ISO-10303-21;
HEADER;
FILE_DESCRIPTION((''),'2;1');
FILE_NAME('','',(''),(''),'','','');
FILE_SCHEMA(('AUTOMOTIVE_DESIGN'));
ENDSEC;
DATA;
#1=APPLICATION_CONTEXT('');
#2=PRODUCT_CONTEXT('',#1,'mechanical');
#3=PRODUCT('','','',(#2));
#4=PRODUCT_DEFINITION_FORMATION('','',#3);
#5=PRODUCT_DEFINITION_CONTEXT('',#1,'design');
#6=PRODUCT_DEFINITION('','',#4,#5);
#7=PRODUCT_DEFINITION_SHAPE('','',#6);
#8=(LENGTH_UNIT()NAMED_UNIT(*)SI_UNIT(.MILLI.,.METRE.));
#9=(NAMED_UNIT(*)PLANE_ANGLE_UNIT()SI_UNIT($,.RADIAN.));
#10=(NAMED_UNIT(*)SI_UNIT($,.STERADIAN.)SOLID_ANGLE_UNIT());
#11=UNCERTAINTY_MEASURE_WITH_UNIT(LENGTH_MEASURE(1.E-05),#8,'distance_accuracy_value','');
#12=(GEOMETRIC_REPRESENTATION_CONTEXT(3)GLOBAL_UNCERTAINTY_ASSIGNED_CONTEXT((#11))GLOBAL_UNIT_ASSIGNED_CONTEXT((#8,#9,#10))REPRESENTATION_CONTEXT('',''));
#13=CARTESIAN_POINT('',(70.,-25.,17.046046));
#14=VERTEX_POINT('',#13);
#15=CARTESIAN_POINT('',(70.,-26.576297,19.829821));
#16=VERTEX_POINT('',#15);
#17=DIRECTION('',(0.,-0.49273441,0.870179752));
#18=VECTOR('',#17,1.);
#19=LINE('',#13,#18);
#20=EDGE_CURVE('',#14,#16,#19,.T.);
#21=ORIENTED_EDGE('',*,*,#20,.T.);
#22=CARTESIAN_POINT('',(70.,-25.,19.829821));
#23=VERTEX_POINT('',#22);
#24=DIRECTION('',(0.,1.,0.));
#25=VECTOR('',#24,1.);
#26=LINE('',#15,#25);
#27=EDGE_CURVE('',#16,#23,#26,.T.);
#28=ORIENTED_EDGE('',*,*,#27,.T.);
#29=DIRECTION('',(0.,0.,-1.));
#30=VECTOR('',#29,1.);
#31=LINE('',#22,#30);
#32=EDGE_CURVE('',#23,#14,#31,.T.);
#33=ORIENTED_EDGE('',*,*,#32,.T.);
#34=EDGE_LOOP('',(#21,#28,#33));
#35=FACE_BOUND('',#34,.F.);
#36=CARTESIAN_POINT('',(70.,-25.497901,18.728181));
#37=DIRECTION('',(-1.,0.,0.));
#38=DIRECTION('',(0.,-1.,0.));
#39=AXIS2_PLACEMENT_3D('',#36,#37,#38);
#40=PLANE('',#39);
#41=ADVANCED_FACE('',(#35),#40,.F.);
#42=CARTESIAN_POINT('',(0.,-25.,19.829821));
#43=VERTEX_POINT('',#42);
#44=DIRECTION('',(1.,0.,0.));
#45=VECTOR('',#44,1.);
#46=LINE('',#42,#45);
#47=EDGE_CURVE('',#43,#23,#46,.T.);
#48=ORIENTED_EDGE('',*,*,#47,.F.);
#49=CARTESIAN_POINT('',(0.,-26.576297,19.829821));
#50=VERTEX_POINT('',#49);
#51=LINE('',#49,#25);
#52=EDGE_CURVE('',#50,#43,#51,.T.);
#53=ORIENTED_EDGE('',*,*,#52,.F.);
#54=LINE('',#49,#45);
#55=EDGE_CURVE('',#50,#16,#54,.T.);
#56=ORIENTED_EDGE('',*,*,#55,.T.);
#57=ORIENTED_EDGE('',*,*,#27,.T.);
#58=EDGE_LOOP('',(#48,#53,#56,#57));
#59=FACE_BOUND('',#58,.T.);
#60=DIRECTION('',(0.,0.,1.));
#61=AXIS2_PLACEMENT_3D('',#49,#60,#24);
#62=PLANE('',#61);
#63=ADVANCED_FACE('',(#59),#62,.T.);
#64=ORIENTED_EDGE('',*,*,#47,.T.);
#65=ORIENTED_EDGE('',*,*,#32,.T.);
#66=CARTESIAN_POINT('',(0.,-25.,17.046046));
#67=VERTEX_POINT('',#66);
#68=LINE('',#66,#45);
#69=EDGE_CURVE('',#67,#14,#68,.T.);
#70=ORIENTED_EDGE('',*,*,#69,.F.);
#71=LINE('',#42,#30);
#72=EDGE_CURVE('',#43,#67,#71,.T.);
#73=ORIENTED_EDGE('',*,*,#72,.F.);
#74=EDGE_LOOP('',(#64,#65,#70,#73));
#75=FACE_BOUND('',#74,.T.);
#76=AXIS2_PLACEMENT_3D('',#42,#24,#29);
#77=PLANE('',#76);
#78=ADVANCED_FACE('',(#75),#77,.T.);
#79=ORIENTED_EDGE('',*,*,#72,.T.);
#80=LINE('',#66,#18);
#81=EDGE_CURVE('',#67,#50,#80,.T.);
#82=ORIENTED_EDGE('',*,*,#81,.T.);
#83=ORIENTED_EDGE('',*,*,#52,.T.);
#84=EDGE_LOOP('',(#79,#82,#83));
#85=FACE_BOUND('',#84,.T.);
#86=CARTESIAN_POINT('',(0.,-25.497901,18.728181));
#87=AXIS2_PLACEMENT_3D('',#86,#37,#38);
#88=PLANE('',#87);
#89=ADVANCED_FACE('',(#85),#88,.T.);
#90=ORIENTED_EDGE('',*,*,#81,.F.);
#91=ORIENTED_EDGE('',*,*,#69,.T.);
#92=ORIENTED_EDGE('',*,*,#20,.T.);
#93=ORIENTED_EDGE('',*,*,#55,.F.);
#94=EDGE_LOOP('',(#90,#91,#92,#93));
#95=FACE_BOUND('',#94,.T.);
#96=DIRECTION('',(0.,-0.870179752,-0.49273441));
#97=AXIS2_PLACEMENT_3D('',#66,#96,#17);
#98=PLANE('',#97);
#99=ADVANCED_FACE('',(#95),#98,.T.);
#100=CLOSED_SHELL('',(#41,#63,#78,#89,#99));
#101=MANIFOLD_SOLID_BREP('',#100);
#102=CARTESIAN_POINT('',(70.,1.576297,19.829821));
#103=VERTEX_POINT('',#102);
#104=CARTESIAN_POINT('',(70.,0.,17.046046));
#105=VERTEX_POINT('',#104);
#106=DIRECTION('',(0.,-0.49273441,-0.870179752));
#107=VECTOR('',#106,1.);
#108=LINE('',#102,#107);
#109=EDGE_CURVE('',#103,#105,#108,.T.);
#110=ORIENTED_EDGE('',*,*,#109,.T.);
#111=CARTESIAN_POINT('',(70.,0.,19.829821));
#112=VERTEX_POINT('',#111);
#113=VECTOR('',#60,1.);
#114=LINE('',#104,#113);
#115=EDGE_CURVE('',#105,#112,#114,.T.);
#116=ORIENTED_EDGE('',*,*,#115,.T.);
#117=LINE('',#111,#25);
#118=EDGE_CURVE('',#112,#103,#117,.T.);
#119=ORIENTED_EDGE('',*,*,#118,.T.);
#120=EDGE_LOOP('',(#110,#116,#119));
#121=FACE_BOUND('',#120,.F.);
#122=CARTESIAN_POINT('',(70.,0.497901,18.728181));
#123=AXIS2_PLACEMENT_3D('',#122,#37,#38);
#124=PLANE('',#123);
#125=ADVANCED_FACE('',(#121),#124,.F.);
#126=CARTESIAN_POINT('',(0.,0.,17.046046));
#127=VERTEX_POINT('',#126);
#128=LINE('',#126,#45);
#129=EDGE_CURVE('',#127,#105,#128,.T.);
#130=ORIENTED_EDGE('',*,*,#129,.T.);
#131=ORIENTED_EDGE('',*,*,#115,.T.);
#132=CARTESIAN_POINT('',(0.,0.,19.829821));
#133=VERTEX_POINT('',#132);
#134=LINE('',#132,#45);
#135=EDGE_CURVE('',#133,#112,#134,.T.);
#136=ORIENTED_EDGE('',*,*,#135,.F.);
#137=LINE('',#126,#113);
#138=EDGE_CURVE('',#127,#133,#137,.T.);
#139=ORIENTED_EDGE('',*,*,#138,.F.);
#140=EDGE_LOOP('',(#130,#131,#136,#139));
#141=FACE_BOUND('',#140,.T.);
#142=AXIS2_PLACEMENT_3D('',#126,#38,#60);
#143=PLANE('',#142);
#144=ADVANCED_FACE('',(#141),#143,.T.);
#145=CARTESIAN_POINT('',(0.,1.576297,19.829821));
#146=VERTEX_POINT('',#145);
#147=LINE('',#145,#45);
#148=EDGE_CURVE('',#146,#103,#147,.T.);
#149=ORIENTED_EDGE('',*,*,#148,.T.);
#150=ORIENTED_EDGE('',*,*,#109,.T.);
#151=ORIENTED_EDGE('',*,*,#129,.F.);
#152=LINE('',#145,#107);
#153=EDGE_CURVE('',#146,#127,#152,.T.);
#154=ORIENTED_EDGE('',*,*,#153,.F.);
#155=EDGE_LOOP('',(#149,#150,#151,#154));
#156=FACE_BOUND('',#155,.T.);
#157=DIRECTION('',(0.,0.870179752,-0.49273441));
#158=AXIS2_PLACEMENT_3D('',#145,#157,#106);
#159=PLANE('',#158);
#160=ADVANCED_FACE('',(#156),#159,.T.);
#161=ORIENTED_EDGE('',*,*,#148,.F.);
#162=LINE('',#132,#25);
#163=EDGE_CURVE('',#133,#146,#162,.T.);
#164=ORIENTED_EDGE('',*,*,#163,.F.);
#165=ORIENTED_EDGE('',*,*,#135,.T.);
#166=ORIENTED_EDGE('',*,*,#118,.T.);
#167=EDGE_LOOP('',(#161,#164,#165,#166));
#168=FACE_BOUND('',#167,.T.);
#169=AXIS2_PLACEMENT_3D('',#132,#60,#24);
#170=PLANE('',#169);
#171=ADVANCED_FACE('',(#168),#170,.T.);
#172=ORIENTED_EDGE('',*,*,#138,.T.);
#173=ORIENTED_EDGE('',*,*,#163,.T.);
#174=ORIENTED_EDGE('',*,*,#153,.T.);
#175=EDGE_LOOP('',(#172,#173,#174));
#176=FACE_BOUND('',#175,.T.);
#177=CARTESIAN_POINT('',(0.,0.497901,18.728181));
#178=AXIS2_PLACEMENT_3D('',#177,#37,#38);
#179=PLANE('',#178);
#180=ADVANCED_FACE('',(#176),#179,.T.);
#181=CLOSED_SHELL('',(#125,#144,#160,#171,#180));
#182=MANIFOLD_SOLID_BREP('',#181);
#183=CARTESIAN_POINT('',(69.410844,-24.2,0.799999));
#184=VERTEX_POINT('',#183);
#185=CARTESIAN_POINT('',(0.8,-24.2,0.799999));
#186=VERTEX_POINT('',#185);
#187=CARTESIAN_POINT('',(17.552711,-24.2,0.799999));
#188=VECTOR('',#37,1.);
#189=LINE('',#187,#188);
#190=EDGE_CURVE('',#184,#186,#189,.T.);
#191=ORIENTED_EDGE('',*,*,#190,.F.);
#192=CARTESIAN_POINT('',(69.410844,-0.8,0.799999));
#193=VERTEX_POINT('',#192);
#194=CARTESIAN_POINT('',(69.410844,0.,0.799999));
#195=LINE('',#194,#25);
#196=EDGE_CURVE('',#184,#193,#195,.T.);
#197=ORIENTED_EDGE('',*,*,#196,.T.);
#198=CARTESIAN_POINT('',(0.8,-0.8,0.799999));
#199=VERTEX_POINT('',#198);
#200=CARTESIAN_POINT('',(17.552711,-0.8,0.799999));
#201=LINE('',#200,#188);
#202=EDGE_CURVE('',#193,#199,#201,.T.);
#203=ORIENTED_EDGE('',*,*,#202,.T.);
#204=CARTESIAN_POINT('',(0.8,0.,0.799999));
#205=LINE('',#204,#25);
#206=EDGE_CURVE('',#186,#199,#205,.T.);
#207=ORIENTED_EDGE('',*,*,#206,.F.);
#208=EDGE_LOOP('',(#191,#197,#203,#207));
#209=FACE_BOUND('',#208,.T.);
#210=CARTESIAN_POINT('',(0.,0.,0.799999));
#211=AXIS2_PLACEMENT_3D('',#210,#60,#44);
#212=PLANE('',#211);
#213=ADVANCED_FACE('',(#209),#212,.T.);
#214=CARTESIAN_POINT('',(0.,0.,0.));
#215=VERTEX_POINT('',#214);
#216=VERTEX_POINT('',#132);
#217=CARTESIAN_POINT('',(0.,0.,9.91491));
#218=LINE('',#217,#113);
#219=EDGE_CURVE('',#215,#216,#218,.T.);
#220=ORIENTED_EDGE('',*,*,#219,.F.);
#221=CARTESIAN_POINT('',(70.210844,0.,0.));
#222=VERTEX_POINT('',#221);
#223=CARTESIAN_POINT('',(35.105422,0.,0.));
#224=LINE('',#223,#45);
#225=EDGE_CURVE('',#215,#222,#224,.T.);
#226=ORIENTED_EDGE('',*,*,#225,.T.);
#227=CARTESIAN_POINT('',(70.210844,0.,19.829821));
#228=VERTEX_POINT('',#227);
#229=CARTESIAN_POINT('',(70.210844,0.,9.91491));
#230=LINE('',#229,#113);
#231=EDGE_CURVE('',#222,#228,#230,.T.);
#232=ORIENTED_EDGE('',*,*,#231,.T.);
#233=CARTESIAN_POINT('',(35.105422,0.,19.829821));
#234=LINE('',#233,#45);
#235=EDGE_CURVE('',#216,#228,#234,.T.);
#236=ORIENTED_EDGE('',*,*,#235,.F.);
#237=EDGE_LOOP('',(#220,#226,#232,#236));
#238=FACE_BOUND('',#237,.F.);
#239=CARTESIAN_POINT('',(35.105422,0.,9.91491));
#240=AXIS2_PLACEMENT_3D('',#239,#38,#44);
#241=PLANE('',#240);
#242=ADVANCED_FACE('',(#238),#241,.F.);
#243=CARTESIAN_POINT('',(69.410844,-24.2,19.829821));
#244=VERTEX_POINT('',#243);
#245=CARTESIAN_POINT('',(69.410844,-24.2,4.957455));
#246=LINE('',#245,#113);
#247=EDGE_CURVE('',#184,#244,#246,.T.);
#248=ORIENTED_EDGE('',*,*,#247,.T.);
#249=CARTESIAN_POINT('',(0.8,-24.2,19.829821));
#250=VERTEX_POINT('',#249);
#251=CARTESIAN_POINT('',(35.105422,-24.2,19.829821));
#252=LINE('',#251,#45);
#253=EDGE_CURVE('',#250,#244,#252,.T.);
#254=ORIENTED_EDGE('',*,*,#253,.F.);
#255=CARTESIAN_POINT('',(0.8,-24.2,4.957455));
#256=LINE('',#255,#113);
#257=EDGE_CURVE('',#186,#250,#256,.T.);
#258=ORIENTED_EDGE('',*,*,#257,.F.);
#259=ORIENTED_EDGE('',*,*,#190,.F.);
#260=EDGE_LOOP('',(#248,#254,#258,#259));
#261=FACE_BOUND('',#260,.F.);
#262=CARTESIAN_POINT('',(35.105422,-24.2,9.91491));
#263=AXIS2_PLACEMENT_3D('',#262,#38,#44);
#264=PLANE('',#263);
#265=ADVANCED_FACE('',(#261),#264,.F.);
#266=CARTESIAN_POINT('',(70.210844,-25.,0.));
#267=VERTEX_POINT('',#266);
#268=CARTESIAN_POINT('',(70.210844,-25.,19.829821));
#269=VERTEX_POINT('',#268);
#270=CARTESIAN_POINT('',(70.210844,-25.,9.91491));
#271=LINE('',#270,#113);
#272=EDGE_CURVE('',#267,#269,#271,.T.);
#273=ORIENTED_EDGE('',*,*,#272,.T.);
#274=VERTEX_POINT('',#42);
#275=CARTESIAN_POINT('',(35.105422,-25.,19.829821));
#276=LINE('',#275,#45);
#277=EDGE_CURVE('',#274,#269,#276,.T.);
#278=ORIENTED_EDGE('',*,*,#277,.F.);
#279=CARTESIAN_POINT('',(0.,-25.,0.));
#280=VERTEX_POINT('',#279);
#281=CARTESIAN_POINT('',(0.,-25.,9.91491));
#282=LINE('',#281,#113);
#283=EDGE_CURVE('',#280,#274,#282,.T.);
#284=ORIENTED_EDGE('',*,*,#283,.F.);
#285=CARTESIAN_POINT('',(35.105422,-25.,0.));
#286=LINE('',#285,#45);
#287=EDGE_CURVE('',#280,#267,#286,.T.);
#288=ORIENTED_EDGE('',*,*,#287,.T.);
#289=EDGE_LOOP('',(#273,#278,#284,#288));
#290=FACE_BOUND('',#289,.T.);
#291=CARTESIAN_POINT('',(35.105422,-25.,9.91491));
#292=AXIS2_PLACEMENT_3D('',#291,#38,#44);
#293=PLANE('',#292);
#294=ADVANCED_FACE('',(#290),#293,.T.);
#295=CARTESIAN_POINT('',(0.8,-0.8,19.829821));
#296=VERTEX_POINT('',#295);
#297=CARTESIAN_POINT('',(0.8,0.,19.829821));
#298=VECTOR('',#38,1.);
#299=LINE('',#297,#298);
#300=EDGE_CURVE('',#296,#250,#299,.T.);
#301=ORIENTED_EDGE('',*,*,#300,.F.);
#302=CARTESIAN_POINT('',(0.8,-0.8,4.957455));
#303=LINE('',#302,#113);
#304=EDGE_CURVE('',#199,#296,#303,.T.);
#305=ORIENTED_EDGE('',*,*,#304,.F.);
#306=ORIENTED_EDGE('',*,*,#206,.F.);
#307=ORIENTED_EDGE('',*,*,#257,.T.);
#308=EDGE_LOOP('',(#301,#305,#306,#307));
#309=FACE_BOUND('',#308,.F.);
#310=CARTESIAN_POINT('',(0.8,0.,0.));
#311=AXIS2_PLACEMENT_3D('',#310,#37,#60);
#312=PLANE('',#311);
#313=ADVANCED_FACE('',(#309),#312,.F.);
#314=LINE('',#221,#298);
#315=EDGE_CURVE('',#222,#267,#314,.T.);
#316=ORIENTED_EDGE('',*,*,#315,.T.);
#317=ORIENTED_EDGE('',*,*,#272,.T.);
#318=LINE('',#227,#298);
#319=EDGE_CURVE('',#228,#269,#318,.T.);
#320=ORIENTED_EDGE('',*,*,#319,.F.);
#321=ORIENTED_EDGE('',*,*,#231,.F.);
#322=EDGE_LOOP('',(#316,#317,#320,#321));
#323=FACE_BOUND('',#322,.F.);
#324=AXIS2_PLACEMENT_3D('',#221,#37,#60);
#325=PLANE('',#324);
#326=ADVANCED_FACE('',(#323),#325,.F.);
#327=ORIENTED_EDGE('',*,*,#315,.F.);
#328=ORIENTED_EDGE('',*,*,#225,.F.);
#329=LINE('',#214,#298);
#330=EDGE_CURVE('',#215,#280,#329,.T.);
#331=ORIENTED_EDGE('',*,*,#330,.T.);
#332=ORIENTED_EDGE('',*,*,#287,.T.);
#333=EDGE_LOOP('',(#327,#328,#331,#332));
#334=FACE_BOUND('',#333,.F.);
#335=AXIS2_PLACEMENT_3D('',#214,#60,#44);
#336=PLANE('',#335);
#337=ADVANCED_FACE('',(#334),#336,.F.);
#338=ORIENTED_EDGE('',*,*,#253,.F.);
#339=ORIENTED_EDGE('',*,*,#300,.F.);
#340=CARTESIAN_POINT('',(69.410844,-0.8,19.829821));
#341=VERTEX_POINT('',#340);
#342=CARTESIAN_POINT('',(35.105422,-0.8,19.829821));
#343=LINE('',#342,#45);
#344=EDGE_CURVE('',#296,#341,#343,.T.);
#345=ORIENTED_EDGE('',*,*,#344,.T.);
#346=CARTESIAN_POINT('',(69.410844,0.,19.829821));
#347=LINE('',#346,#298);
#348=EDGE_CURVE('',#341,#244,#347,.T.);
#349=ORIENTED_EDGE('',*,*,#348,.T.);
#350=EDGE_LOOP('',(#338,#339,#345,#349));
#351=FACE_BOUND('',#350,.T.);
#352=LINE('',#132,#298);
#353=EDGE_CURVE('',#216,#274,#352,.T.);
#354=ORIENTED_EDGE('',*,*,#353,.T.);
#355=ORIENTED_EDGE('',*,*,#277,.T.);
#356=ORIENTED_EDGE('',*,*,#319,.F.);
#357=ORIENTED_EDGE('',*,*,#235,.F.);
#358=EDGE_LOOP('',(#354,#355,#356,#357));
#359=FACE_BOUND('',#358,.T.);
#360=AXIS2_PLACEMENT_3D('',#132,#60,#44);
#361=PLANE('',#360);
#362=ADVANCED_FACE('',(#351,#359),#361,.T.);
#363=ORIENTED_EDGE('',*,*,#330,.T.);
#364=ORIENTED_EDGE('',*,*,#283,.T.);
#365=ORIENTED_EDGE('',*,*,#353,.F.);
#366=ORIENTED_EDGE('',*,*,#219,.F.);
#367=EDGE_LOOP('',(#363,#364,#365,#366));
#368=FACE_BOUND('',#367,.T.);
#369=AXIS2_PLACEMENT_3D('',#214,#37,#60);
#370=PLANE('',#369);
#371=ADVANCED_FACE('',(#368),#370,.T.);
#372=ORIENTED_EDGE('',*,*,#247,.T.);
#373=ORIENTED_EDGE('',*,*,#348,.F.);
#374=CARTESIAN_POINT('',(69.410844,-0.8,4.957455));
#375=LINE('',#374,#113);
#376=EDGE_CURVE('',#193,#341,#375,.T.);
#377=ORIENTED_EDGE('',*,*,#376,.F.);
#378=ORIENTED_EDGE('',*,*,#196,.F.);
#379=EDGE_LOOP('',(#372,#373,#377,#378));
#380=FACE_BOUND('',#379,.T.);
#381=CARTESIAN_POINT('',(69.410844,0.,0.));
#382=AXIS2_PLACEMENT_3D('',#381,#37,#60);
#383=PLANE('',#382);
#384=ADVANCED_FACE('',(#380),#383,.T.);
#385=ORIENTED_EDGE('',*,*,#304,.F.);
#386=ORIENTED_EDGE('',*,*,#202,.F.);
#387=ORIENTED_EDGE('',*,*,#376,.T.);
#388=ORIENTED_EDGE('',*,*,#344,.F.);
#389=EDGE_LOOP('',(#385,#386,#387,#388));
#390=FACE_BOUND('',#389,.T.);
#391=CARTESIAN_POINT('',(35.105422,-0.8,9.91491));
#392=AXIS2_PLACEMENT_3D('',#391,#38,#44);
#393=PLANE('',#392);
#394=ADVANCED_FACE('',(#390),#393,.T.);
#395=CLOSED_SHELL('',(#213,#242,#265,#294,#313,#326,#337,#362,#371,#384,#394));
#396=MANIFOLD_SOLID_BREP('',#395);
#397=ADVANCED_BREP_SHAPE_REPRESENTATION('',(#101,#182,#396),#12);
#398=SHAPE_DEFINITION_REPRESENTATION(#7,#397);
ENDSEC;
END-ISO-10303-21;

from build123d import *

# Parameters (mm, degrees)
F0_W     = 70.210844
F0_H     = 19.829821
F1_DEPTH = 25
F2_T     = -0.8
F4_DEPTH = 70


with BuildPart() as f1:
    # F0 (on Front) → F1 (new body)
    with BuildSketch(Plane.XZ):
        with Locations((35.105422, 9.91491)):
            Rectangle(F0_W, F0_H)
    extrude(amount=F1_DEPTH)

    # F2
    f2_openings = [f1.faces().sort_by_distance(p)[0] for p in [
        (35.105422, -12.5, 19.829821),
    ]]
    offset(amount=F2_T, openings=f2_openings)


with BuildPart() as f4:
    # F3 (on face) → F4 (new body)
    with BuildSketch(Plane(origin=(0, 0, 0), x_dir=(0, -1, 0), z_dir=(-1, 0, 0))):
        Polygon((26.576297, 19.829821), (25, 19.829821), (25, 17.046046), align=None)
        Polygon((0, 17.046046), (0, 19.829821), (-1.576297, 19.829821), align=None)
    extrude(amount=-F4_DEPTH)


solid = Compound([f1.part, f4.part])
